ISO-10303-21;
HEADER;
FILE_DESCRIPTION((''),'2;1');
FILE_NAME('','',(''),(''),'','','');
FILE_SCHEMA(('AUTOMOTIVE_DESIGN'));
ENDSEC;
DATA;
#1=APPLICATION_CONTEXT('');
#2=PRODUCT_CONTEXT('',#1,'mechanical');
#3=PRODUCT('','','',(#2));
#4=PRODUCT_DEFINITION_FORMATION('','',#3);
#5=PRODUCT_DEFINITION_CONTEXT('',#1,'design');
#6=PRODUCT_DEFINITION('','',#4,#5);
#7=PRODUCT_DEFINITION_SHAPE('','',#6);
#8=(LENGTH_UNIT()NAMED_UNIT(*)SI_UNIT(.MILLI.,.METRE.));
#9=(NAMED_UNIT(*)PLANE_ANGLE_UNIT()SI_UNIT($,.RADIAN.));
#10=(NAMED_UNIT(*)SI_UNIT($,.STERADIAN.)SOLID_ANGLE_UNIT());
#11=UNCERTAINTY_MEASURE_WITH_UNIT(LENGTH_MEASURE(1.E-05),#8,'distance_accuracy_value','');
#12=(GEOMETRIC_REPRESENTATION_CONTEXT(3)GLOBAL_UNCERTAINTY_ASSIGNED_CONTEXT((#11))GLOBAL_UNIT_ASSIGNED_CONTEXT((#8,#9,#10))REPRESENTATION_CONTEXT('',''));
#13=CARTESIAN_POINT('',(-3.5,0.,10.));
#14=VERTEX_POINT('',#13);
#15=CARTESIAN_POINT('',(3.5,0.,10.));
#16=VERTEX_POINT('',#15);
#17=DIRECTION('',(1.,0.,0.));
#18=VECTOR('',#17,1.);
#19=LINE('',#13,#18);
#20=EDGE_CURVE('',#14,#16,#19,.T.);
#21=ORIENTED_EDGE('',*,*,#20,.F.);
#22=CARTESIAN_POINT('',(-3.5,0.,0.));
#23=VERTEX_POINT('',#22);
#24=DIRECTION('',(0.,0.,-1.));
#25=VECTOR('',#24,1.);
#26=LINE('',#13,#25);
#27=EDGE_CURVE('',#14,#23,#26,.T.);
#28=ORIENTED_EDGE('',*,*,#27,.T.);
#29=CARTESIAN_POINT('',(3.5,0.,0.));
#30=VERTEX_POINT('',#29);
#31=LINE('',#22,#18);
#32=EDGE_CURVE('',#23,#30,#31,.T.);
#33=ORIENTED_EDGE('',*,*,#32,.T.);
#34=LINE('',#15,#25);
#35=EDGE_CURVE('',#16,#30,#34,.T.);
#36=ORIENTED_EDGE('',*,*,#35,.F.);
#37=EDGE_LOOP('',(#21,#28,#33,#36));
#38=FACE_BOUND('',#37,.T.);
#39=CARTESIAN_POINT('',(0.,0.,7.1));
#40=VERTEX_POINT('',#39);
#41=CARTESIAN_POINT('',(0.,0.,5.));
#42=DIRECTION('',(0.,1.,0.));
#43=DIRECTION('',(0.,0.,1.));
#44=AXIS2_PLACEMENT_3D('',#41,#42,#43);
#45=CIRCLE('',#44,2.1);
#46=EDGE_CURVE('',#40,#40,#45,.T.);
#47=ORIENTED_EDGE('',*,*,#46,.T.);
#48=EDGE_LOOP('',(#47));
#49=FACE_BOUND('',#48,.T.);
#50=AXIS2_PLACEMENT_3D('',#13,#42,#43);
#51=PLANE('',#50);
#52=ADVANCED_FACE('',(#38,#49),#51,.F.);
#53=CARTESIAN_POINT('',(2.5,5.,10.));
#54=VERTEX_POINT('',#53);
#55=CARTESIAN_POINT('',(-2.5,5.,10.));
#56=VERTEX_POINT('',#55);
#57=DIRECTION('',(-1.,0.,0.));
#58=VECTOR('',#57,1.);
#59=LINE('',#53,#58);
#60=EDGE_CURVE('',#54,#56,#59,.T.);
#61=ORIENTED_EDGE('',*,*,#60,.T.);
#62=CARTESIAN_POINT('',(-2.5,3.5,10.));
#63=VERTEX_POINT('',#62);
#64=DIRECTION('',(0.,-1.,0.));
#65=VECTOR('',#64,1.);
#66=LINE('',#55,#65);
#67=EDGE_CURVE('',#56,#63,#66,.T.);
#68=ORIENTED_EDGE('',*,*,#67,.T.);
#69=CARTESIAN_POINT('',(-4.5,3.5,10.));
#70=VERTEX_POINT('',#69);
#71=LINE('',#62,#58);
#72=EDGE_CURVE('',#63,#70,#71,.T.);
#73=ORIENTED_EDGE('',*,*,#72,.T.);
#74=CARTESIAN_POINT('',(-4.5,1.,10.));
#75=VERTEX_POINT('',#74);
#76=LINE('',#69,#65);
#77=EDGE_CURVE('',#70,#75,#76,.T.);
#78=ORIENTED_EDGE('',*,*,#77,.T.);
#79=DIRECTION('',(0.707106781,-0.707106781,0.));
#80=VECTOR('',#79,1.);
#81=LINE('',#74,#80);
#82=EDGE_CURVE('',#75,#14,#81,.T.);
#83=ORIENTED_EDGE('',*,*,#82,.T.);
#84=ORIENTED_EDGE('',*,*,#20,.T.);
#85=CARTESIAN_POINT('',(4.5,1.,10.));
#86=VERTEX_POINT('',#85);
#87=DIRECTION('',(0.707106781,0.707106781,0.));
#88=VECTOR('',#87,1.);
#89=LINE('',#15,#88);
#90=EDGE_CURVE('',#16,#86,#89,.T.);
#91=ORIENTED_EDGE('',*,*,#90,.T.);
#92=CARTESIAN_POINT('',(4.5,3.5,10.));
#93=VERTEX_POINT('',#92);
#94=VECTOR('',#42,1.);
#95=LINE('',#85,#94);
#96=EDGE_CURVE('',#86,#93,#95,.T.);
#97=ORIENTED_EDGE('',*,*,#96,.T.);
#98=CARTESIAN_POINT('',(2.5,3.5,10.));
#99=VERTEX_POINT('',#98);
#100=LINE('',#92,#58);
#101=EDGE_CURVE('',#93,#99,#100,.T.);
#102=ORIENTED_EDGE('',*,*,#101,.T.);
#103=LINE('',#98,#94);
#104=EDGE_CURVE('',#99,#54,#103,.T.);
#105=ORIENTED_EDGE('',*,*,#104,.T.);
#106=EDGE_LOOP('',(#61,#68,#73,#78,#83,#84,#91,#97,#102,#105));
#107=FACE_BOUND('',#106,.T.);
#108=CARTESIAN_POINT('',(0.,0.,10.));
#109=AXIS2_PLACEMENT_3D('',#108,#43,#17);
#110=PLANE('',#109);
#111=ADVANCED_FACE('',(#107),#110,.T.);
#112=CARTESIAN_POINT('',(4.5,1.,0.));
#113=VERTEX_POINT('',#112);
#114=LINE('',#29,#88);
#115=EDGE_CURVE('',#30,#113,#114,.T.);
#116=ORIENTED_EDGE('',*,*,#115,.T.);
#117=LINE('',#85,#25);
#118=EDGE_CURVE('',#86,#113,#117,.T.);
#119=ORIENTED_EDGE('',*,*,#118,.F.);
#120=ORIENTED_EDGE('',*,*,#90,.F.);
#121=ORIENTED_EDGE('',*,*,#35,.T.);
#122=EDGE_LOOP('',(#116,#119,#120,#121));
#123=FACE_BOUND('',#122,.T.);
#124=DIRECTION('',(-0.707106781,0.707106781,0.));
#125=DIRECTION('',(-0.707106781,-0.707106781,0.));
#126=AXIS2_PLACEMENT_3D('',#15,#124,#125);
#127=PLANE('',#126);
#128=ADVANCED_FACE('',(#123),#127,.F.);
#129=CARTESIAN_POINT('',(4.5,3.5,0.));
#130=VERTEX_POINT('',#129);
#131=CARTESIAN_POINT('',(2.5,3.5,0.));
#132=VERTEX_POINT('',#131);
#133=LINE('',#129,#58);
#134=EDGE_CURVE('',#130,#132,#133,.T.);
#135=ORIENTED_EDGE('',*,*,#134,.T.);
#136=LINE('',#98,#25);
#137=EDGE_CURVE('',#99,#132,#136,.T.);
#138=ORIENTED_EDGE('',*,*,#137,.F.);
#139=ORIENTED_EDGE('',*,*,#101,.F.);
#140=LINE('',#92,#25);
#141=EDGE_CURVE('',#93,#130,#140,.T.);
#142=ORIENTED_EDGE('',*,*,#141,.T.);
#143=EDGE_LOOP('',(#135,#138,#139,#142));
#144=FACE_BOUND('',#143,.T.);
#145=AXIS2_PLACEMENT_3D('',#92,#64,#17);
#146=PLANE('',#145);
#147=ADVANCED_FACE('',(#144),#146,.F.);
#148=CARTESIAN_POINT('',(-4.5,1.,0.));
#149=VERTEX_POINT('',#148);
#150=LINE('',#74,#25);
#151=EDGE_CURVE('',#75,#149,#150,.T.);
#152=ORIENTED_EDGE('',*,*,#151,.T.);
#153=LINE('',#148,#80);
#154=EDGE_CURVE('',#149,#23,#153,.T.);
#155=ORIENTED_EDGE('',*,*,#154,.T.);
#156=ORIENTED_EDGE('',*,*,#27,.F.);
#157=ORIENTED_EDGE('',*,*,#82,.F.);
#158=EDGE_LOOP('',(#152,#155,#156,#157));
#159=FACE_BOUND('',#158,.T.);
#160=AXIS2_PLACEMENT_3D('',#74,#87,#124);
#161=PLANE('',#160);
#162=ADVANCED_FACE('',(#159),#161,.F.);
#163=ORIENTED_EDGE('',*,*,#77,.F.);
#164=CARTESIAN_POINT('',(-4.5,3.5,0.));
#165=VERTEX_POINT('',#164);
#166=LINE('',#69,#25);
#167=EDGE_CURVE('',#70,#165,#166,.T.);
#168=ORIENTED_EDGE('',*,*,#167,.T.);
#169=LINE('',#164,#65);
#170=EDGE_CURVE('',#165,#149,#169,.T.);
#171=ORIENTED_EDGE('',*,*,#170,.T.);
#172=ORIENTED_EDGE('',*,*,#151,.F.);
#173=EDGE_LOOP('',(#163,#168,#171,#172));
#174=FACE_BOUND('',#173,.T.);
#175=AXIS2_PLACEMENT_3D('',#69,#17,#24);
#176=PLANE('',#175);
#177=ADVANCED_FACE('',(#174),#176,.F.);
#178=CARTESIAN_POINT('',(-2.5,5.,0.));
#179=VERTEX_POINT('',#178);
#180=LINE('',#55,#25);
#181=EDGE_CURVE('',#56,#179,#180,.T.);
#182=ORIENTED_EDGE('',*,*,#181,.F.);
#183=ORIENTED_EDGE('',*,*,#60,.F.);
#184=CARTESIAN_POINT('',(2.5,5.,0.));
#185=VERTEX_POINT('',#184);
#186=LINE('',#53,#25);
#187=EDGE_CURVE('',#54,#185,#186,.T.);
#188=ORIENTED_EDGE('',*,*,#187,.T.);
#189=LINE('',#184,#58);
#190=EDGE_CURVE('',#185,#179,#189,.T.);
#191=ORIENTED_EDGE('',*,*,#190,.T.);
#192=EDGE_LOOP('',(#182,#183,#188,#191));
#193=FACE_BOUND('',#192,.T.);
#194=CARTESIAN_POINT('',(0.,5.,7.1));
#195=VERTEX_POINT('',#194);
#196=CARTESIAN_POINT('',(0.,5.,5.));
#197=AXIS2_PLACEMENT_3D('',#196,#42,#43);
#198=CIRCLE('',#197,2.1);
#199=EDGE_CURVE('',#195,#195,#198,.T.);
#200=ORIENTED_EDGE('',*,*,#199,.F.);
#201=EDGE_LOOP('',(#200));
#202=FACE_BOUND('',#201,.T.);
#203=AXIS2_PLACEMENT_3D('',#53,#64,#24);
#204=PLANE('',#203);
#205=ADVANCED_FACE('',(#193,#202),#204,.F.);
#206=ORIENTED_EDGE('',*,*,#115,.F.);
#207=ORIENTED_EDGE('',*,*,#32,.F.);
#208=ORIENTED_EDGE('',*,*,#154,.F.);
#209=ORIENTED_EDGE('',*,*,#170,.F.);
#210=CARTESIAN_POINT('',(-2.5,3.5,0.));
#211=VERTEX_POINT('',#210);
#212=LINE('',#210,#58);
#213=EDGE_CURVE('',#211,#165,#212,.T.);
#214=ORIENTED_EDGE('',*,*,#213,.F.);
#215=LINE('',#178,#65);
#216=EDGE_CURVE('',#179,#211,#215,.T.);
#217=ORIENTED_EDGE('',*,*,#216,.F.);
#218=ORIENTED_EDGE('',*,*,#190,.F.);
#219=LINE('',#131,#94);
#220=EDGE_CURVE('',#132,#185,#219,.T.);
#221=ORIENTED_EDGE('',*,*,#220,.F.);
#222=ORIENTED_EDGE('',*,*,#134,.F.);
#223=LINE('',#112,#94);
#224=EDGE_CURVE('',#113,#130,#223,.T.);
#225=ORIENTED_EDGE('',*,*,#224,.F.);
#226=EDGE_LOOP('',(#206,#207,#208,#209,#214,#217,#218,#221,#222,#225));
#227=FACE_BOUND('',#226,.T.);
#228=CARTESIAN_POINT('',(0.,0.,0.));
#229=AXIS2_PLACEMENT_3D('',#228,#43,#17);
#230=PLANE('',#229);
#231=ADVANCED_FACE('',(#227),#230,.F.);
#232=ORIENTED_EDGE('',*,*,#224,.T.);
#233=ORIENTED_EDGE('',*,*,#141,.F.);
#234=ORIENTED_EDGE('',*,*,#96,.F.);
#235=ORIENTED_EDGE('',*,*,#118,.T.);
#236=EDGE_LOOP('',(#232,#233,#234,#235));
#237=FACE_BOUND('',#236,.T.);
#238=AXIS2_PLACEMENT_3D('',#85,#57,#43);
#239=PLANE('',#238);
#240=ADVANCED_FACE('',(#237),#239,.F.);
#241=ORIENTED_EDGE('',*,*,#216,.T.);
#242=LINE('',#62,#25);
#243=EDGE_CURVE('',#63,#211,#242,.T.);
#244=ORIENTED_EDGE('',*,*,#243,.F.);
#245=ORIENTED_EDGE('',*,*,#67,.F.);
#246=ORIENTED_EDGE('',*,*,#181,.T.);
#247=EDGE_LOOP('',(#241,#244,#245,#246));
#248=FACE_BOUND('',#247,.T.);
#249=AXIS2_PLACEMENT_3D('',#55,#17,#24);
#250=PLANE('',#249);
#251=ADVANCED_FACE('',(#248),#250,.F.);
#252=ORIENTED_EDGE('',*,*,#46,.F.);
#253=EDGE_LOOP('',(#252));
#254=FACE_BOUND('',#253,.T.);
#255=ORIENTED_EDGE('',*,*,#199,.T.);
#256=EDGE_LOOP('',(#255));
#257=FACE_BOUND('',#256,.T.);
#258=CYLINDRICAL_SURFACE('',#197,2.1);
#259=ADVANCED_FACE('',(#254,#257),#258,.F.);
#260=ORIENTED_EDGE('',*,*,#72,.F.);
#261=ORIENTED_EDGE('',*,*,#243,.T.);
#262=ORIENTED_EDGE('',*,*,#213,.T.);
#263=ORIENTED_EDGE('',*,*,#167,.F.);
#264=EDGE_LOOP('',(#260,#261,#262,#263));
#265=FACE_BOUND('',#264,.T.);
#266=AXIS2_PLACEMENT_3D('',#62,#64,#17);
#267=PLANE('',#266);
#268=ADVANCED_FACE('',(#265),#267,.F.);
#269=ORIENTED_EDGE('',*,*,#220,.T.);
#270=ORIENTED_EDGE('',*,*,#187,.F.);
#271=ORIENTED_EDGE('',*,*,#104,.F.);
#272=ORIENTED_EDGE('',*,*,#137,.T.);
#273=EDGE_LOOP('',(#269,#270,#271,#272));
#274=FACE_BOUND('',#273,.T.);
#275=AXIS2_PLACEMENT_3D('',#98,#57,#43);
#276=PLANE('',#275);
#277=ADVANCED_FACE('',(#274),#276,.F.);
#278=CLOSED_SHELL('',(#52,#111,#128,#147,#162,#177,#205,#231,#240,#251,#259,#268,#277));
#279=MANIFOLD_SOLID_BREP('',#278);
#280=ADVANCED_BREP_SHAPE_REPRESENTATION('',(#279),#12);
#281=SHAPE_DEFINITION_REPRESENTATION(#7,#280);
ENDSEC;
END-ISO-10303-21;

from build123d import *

# Parameters (mm, degrees)
BOSS_EXTRUDE1_DEPTH   = 10
M5X0_8_TAPPED_HOLE1_D = 4.2


with BuildPart() as part:
    # Sketch1 → Boss-Extrude1 (new body)
    with BuildSketch(Plane.XY):
        Polygon((-3.5, 0), (3.5, 0), (4.5, 1), (4.5, 3.5), (2.5, 3.5), (2.5, 5), (-2.5, 5), (-2.5, 3.5), (-4.5, 3.5), (-4.5, 1), align=None)
    extrude(amount=BOSS_EXTRUDE1_DEPTH)

    # M5x0.8 Tapped Hole1 (through all)
    with Locations(Plane(origin=(0, 5, 0), x_dir=(1, 0, 0), z_dir=(0, 1, 0))):
        with Locations((0, -5)):
            Hole(M5X0_8_TAPPED_HOLE1_D / 2)


solid = part.part
